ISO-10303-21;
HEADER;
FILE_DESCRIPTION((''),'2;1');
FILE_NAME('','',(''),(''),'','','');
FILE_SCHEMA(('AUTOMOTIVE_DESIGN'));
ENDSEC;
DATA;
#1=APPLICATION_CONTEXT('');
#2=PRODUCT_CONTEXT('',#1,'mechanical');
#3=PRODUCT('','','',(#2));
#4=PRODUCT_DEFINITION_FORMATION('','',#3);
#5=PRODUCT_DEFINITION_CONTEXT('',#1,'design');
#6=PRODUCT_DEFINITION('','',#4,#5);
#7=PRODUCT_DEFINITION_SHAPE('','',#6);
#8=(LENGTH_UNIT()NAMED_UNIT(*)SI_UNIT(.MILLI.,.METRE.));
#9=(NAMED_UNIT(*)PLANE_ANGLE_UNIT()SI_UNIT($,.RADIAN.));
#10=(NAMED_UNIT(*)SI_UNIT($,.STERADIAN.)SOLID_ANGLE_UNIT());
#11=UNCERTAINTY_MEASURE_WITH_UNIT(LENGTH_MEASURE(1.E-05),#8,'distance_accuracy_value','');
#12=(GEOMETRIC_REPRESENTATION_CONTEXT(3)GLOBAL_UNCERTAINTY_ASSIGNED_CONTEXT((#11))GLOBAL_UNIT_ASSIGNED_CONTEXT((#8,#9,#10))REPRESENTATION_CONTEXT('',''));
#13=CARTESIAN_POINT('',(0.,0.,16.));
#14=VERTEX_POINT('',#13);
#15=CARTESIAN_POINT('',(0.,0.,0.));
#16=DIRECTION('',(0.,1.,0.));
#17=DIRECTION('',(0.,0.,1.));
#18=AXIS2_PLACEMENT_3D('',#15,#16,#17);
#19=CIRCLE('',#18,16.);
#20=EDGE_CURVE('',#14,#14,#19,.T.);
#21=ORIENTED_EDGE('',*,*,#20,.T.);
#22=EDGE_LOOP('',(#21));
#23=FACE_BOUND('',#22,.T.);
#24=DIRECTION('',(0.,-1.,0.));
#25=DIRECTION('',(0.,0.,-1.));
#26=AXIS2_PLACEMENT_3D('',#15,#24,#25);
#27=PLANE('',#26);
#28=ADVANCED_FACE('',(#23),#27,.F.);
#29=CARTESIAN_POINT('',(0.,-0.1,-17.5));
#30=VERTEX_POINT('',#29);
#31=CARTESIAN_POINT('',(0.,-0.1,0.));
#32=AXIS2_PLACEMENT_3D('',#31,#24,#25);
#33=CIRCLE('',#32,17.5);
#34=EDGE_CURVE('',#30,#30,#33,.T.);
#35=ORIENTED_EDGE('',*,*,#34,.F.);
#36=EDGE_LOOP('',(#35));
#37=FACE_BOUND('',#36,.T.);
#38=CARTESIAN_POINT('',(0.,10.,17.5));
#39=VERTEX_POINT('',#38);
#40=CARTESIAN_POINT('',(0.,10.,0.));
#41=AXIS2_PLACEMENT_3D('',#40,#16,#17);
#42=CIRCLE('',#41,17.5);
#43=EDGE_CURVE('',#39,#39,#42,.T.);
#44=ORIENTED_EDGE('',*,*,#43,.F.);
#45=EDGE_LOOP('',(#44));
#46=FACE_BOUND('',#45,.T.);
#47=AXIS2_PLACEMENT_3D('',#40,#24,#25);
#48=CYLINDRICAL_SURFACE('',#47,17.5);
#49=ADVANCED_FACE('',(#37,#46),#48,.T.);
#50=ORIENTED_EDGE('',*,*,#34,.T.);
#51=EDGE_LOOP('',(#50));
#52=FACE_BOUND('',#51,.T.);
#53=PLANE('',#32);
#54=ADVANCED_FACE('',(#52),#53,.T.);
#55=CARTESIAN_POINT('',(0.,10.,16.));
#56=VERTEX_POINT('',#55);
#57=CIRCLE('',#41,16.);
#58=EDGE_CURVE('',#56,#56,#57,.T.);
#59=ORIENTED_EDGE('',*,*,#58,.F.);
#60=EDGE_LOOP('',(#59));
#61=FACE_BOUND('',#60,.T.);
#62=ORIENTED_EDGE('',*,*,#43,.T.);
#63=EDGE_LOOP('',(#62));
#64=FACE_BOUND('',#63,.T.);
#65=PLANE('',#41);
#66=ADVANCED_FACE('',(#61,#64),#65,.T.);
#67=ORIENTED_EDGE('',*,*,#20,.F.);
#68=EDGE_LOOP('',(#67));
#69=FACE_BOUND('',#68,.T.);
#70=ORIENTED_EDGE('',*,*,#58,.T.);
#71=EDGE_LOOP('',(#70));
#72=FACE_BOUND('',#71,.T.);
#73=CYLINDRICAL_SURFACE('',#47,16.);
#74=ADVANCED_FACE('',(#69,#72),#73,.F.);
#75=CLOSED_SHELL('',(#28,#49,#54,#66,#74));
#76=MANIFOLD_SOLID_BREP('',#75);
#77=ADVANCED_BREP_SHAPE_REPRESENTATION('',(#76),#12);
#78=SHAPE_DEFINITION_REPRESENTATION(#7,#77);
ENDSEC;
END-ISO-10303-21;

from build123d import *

# Parameters (mm, degrees)
SKETCH1_R           = 17.5
SKETCH1_R_2         = 16
BOSS_EXTRUDE1_DEPTH = 10
BOSS_EXTRUDE2_START = 0.1
SKETCH2_R           = 17.5
BOSS_EXTRUDE2_DEPTH = 0.1


with BuildPart() as part:
    # Sketch1 → Boss-Extrude1 (new body)
    with BuildSketch(Plane(origin=(0, 0, 0), x_dir=(1, 0, 0), z_dir=(0, 1, 0))):
        with Locations(Location((0, 0, 0), (0, 0, 270))):
            Circle(SKETCH1_R)
        with Locations(Location((0, 0, 0), (0, 0, 270))):
            Circle(SKETCH1_R_2, mode=Mode.SUBTRACT)
    extrude(amount=BOSS_EXTRUDE1_DEPTH)

    # Sketch2 → Boss-Extrude2 (add)
    with BuildSketch(Plane.XZ.offset(BOSS_EXTRUDE2_START)):
        with Locations(Location((0, 0, 0), (0, 0, 270))):
            Circle(SKETCH2_R)
    extrude(amount=-BOSS_EXTRUDE2_DEPTH)


solid = part.part
